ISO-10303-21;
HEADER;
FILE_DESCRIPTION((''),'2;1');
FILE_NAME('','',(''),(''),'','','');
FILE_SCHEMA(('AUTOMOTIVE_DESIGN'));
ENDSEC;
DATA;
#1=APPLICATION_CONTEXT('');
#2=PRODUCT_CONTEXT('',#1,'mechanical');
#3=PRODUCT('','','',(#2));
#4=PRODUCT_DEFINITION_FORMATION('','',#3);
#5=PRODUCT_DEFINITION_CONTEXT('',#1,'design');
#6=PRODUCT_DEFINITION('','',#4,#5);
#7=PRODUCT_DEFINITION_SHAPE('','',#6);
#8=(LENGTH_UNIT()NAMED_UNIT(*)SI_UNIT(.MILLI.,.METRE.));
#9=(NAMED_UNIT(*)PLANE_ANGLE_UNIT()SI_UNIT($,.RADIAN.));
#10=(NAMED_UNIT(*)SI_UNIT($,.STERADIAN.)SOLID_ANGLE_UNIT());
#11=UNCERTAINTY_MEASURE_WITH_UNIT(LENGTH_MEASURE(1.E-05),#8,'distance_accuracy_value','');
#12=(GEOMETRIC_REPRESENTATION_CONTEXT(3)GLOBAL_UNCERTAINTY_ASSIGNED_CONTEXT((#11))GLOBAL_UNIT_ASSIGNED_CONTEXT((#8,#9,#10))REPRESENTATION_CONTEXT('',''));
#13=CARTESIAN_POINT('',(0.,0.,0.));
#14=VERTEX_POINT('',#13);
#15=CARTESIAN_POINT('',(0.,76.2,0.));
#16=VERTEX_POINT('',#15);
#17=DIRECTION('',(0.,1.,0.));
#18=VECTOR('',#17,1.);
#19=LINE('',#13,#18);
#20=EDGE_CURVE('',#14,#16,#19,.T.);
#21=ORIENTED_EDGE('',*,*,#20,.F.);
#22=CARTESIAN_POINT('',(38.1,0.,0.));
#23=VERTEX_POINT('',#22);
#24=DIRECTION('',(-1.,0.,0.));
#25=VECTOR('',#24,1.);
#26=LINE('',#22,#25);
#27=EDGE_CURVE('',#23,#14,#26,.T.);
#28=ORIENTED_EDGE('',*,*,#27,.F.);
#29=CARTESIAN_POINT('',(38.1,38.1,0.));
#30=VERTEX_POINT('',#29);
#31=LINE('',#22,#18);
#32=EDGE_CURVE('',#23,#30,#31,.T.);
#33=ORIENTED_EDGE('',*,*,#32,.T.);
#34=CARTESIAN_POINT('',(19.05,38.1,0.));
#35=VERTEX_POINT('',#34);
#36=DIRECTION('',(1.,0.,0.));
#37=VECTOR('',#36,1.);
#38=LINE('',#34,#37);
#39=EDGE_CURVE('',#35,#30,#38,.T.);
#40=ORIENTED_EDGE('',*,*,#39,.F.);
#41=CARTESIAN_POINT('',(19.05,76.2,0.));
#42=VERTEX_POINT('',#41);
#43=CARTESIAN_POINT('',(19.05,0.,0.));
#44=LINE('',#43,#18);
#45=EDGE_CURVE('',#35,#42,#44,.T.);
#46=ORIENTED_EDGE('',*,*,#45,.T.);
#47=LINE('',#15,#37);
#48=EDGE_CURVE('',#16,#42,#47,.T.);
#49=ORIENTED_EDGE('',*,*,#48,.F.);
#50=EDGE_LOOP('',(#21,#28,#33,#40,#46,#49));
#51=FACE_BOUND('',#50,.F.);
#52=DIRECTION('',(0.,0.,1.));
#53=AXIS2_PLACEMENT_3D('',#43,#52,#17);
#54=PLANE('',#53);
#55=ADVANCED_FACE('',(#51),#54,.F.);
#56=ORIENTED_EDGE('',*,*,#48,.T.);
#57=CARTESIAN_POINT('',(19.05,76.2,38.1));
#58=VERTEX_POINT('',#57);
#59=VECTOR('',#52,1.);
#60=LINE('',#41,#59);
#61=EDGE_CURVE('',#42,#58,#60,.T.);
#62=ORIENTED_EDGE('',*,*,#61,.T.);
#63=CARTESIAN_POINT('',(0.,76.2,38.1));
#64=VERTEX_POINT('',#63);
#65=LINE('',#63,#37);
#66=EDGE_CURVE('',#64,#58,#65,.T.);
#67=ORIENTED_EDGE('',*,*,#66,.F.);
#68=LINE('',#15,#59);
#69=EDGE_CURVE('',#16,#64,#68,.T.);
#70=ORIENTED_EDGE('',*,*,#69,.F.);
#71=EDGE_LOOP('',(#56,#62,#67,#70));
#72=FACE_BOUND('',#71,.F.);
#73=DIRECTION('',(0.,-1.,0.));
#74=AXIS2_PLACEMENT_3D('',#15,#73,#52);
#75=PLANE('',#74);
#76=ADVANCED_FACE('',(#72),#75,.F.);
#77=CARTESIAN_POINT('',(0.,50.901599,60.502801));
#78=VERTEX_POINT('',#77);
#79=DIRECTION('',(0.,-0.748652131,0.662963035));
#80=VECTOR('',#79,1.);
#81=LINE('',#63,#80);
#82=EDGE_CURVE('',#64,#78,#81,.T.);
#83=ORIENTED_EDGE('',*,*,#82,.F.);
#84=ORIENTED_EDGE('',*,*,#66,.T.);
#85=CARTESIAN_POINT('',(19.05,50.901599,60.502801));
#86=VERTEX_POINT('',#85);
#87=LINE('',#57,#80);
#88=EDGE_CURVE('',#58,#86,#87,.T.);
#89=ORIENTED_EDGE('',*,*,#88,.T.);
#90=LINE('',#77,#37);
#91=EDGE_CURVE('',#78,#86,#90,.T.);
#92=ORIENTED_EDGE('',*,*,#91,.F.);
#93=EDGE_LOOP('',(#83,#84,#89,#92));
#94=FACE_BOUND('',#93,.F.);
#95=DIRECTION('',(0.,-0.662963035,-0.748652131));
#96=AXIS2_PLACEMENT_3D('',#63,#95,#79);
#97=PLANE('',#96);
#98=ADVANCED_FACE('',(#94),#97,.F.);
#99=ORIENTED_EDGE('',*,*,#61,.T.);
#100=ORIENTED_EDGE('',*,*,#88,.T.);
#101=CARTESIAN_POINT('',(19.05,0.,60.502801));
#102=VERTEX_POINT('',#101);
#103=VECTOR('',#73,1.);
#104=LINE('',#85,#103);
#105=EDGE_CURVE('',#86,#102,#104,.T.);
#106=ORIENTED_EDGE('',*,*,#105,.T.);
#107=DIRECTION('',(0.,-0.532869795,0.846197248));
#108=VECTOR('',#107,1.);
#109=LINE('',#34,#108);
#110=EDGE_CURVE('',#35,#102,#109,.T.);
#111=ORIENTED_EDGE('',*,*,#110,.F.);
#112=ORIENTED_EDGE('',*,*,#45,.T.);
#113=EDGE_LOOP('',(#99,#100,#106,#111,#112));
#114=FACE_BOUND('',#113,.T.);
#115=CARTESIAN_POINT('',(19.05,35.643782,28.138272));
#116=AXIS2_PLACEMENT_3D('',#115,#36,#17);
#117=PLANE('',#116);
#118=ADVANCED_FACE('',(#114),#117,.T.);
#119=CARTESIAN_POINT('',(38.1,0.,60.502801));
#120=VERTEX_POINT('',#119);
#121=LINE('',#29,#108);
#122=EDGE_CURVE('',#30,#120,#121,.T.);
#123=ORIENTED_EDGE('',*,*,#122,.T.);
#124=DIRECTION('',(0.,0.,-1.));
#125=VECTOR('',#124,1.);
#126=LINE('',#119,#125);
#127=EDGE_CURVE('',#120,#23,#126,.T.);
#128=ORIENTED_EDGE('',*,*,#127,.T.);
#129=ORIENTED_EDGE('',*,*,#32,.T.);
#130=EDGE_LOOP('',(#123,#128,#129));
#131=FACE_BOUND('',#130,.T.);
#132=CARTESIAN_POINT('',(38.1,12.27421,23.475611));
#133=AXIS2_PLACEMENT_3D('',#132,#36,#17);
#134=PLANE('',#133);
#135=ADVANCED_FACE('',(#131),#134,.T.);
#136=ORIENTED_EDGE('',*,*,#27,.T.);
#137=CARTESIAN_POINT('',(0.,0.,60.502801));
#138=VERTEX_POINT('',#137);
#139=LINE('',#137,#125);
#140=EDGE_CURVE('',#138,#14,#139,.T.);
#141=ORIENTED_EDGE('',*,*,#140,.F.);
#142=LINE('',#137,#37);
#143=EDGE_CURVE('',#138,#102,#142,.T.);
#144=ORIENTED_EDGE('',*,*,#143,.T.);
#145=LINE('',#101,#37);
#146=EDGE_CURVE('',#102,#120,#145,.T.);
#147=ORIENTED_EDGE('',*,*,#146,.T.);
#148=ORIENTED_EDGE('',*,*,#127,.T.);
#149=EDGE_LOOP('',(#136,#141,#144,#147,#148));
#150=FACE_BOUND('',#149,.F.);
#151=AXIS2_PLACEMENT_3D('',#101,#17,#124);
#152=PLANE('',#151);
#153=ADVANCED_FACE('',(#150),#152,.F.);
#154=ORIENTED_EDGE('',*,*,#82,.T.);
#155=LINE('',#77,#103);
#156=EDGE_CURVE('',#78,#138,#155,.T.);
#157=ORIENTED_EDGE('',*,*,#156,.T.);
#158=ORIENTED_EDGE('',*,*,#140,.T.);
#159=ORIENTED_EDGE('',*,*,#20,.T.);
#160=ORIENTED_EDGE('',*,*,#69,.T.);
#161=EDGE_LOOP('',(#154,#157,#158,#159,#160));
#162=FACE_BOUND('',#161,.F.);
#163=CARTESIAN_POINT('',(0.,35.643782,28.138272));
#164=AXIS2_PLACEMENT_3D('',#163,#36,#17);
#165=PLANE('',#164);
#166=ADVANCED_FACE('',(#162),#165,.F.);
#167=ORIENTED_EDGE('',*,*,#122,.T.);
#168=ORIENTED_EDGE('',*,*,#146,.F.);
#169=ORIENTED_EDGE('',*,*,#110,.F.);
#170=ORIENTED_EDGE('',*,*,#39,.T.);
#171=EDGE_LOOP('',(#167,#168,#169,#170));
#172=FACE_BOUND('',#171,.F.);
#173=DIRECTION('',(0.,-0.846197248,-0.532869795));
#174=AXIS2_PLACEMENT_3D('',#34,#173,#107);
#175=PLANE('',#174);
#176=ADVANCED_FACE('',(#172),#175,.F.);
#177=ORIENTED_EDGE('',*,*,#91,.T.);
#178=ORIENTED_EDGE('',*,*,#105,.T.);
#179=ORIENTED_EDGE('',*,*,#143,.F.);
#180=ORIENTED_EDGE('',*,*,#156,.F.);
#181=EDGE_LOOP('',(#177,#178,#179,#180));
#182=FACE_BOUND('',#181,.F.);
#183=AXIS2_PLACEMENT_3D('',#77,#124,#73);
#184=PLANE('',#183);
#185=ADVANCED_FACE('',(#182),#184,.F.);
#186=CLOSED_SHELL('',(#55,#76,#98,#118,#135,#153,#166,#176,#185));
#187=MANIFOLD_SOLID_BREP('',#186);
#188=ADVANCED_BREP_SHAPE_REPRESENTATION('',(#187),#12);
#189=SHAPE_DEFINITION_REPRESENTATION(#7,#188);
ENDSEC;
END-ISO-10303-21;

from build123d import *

# Parameters (mm, degrees)
F1_DEPTH = 19.05
F3_DEPTH = 19.05


with BuildPart() as f1:
    # F0 (on Right) → F1 (new body)
    with BuildSketch(Plane.YZ):
        Polygon((0, 60.502801), (0, 0), (76.2, 0), (76.2, 38.1), (50.901599, 60.502801), align=None)
    extrude(amount=F1_DEPTH)

    # F2 (on face) → F3 (join)
    with BuildSketch(Plane.YZ.offset(19.05)):
        Polygon((0, 0), (38.1, 0), (0, 60.502801), align=None)
    extrude(amount=F3_DEPTH)


solid = f1.part
